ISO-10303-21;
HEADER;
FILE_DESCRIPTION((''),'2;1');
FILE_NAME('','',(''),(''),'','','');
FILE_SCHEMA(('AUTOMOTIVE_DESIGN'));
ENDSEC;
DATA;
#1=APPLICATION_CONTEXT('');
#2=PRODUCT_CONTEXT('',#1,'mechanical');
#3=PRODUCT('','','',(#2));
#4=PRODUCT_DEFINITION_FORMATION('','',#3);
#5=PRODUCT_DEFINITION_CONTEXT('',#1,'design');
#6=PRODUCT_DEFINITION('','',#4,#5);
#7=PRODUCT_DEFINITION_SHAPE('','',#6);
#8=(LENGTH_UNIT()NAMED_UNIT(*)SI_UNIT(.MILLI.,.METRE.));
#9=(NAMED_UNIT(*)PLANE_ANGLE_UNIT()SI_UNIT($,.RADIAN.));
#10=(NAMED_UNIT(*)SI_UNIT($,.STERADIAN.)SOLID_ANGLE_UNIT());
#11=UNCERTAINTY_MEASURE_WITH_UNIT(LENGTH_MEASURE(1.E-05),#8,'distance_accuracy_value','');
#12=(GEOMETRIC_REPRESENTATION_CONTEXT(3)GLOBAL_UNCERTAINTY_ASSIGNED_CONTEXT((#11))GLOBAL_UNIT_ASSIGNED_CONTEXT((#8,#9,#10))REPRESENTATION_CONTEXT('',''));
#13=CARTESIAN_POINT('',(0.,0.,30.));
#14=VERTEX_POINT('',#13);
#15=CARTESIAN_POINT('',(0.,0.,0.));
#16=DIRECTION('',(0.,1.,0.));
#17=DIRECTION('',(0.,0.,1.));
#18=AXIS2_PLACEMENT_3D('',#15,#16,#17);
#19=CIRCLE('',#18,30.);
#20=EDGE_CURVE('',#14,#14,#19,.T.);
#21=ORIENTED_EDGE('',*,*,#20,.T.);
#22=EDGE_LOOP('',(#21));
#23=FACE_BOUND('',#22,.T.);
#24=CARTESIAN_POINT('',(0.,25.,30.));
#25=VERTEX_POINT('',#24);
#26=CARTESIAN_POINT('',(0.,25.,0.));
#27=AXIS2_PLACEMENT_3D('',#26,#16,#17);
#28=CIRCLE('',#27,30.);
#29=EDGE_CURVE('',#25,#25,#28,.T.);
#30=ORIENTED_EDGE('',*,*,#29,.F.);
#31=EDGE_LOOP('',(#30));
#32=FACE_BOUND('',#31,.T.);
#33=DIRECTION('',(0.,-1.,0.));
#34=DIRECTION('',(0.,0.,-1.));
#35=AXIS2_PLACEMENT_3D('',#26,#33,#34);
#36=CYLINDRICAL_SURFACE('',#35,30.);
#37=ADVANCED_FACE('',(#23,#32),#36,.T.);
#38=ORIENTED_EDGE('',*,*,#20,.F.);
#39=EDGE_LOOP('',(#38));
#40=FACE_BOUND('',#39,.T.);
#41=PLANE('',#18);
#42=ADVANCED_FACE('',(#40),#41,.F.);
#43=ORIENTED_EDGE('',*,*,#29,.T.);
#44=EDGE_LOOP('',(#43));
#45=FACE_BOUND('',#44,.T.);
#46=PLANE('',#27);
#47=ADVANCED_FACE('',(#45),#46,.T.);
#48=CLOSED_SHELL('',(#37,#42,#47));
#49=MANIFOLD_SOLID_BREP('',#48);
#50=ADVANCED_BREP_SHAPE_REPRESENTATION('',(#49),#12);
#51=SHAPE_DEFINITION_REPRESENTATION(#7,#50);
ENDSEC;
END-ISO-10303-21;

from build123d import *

# Parameters (mm, degrees)
SKETCH1_R           = 30
BOSS_EXTRUDE1_DEPTH = 25


with BuildPart() as part:
    # Sketch1 → Boss-Extrude1 (new body)
    with BuildSketch(Plane(origin=(0, 0, 0), x_dir=(1, 0, 0), z_dir=(0, 1, 0))):
        Circle(SKETCH1_R)
    extrude(amount=BOSS_EXTRUDE1_DEPTH)


solid = part.part
